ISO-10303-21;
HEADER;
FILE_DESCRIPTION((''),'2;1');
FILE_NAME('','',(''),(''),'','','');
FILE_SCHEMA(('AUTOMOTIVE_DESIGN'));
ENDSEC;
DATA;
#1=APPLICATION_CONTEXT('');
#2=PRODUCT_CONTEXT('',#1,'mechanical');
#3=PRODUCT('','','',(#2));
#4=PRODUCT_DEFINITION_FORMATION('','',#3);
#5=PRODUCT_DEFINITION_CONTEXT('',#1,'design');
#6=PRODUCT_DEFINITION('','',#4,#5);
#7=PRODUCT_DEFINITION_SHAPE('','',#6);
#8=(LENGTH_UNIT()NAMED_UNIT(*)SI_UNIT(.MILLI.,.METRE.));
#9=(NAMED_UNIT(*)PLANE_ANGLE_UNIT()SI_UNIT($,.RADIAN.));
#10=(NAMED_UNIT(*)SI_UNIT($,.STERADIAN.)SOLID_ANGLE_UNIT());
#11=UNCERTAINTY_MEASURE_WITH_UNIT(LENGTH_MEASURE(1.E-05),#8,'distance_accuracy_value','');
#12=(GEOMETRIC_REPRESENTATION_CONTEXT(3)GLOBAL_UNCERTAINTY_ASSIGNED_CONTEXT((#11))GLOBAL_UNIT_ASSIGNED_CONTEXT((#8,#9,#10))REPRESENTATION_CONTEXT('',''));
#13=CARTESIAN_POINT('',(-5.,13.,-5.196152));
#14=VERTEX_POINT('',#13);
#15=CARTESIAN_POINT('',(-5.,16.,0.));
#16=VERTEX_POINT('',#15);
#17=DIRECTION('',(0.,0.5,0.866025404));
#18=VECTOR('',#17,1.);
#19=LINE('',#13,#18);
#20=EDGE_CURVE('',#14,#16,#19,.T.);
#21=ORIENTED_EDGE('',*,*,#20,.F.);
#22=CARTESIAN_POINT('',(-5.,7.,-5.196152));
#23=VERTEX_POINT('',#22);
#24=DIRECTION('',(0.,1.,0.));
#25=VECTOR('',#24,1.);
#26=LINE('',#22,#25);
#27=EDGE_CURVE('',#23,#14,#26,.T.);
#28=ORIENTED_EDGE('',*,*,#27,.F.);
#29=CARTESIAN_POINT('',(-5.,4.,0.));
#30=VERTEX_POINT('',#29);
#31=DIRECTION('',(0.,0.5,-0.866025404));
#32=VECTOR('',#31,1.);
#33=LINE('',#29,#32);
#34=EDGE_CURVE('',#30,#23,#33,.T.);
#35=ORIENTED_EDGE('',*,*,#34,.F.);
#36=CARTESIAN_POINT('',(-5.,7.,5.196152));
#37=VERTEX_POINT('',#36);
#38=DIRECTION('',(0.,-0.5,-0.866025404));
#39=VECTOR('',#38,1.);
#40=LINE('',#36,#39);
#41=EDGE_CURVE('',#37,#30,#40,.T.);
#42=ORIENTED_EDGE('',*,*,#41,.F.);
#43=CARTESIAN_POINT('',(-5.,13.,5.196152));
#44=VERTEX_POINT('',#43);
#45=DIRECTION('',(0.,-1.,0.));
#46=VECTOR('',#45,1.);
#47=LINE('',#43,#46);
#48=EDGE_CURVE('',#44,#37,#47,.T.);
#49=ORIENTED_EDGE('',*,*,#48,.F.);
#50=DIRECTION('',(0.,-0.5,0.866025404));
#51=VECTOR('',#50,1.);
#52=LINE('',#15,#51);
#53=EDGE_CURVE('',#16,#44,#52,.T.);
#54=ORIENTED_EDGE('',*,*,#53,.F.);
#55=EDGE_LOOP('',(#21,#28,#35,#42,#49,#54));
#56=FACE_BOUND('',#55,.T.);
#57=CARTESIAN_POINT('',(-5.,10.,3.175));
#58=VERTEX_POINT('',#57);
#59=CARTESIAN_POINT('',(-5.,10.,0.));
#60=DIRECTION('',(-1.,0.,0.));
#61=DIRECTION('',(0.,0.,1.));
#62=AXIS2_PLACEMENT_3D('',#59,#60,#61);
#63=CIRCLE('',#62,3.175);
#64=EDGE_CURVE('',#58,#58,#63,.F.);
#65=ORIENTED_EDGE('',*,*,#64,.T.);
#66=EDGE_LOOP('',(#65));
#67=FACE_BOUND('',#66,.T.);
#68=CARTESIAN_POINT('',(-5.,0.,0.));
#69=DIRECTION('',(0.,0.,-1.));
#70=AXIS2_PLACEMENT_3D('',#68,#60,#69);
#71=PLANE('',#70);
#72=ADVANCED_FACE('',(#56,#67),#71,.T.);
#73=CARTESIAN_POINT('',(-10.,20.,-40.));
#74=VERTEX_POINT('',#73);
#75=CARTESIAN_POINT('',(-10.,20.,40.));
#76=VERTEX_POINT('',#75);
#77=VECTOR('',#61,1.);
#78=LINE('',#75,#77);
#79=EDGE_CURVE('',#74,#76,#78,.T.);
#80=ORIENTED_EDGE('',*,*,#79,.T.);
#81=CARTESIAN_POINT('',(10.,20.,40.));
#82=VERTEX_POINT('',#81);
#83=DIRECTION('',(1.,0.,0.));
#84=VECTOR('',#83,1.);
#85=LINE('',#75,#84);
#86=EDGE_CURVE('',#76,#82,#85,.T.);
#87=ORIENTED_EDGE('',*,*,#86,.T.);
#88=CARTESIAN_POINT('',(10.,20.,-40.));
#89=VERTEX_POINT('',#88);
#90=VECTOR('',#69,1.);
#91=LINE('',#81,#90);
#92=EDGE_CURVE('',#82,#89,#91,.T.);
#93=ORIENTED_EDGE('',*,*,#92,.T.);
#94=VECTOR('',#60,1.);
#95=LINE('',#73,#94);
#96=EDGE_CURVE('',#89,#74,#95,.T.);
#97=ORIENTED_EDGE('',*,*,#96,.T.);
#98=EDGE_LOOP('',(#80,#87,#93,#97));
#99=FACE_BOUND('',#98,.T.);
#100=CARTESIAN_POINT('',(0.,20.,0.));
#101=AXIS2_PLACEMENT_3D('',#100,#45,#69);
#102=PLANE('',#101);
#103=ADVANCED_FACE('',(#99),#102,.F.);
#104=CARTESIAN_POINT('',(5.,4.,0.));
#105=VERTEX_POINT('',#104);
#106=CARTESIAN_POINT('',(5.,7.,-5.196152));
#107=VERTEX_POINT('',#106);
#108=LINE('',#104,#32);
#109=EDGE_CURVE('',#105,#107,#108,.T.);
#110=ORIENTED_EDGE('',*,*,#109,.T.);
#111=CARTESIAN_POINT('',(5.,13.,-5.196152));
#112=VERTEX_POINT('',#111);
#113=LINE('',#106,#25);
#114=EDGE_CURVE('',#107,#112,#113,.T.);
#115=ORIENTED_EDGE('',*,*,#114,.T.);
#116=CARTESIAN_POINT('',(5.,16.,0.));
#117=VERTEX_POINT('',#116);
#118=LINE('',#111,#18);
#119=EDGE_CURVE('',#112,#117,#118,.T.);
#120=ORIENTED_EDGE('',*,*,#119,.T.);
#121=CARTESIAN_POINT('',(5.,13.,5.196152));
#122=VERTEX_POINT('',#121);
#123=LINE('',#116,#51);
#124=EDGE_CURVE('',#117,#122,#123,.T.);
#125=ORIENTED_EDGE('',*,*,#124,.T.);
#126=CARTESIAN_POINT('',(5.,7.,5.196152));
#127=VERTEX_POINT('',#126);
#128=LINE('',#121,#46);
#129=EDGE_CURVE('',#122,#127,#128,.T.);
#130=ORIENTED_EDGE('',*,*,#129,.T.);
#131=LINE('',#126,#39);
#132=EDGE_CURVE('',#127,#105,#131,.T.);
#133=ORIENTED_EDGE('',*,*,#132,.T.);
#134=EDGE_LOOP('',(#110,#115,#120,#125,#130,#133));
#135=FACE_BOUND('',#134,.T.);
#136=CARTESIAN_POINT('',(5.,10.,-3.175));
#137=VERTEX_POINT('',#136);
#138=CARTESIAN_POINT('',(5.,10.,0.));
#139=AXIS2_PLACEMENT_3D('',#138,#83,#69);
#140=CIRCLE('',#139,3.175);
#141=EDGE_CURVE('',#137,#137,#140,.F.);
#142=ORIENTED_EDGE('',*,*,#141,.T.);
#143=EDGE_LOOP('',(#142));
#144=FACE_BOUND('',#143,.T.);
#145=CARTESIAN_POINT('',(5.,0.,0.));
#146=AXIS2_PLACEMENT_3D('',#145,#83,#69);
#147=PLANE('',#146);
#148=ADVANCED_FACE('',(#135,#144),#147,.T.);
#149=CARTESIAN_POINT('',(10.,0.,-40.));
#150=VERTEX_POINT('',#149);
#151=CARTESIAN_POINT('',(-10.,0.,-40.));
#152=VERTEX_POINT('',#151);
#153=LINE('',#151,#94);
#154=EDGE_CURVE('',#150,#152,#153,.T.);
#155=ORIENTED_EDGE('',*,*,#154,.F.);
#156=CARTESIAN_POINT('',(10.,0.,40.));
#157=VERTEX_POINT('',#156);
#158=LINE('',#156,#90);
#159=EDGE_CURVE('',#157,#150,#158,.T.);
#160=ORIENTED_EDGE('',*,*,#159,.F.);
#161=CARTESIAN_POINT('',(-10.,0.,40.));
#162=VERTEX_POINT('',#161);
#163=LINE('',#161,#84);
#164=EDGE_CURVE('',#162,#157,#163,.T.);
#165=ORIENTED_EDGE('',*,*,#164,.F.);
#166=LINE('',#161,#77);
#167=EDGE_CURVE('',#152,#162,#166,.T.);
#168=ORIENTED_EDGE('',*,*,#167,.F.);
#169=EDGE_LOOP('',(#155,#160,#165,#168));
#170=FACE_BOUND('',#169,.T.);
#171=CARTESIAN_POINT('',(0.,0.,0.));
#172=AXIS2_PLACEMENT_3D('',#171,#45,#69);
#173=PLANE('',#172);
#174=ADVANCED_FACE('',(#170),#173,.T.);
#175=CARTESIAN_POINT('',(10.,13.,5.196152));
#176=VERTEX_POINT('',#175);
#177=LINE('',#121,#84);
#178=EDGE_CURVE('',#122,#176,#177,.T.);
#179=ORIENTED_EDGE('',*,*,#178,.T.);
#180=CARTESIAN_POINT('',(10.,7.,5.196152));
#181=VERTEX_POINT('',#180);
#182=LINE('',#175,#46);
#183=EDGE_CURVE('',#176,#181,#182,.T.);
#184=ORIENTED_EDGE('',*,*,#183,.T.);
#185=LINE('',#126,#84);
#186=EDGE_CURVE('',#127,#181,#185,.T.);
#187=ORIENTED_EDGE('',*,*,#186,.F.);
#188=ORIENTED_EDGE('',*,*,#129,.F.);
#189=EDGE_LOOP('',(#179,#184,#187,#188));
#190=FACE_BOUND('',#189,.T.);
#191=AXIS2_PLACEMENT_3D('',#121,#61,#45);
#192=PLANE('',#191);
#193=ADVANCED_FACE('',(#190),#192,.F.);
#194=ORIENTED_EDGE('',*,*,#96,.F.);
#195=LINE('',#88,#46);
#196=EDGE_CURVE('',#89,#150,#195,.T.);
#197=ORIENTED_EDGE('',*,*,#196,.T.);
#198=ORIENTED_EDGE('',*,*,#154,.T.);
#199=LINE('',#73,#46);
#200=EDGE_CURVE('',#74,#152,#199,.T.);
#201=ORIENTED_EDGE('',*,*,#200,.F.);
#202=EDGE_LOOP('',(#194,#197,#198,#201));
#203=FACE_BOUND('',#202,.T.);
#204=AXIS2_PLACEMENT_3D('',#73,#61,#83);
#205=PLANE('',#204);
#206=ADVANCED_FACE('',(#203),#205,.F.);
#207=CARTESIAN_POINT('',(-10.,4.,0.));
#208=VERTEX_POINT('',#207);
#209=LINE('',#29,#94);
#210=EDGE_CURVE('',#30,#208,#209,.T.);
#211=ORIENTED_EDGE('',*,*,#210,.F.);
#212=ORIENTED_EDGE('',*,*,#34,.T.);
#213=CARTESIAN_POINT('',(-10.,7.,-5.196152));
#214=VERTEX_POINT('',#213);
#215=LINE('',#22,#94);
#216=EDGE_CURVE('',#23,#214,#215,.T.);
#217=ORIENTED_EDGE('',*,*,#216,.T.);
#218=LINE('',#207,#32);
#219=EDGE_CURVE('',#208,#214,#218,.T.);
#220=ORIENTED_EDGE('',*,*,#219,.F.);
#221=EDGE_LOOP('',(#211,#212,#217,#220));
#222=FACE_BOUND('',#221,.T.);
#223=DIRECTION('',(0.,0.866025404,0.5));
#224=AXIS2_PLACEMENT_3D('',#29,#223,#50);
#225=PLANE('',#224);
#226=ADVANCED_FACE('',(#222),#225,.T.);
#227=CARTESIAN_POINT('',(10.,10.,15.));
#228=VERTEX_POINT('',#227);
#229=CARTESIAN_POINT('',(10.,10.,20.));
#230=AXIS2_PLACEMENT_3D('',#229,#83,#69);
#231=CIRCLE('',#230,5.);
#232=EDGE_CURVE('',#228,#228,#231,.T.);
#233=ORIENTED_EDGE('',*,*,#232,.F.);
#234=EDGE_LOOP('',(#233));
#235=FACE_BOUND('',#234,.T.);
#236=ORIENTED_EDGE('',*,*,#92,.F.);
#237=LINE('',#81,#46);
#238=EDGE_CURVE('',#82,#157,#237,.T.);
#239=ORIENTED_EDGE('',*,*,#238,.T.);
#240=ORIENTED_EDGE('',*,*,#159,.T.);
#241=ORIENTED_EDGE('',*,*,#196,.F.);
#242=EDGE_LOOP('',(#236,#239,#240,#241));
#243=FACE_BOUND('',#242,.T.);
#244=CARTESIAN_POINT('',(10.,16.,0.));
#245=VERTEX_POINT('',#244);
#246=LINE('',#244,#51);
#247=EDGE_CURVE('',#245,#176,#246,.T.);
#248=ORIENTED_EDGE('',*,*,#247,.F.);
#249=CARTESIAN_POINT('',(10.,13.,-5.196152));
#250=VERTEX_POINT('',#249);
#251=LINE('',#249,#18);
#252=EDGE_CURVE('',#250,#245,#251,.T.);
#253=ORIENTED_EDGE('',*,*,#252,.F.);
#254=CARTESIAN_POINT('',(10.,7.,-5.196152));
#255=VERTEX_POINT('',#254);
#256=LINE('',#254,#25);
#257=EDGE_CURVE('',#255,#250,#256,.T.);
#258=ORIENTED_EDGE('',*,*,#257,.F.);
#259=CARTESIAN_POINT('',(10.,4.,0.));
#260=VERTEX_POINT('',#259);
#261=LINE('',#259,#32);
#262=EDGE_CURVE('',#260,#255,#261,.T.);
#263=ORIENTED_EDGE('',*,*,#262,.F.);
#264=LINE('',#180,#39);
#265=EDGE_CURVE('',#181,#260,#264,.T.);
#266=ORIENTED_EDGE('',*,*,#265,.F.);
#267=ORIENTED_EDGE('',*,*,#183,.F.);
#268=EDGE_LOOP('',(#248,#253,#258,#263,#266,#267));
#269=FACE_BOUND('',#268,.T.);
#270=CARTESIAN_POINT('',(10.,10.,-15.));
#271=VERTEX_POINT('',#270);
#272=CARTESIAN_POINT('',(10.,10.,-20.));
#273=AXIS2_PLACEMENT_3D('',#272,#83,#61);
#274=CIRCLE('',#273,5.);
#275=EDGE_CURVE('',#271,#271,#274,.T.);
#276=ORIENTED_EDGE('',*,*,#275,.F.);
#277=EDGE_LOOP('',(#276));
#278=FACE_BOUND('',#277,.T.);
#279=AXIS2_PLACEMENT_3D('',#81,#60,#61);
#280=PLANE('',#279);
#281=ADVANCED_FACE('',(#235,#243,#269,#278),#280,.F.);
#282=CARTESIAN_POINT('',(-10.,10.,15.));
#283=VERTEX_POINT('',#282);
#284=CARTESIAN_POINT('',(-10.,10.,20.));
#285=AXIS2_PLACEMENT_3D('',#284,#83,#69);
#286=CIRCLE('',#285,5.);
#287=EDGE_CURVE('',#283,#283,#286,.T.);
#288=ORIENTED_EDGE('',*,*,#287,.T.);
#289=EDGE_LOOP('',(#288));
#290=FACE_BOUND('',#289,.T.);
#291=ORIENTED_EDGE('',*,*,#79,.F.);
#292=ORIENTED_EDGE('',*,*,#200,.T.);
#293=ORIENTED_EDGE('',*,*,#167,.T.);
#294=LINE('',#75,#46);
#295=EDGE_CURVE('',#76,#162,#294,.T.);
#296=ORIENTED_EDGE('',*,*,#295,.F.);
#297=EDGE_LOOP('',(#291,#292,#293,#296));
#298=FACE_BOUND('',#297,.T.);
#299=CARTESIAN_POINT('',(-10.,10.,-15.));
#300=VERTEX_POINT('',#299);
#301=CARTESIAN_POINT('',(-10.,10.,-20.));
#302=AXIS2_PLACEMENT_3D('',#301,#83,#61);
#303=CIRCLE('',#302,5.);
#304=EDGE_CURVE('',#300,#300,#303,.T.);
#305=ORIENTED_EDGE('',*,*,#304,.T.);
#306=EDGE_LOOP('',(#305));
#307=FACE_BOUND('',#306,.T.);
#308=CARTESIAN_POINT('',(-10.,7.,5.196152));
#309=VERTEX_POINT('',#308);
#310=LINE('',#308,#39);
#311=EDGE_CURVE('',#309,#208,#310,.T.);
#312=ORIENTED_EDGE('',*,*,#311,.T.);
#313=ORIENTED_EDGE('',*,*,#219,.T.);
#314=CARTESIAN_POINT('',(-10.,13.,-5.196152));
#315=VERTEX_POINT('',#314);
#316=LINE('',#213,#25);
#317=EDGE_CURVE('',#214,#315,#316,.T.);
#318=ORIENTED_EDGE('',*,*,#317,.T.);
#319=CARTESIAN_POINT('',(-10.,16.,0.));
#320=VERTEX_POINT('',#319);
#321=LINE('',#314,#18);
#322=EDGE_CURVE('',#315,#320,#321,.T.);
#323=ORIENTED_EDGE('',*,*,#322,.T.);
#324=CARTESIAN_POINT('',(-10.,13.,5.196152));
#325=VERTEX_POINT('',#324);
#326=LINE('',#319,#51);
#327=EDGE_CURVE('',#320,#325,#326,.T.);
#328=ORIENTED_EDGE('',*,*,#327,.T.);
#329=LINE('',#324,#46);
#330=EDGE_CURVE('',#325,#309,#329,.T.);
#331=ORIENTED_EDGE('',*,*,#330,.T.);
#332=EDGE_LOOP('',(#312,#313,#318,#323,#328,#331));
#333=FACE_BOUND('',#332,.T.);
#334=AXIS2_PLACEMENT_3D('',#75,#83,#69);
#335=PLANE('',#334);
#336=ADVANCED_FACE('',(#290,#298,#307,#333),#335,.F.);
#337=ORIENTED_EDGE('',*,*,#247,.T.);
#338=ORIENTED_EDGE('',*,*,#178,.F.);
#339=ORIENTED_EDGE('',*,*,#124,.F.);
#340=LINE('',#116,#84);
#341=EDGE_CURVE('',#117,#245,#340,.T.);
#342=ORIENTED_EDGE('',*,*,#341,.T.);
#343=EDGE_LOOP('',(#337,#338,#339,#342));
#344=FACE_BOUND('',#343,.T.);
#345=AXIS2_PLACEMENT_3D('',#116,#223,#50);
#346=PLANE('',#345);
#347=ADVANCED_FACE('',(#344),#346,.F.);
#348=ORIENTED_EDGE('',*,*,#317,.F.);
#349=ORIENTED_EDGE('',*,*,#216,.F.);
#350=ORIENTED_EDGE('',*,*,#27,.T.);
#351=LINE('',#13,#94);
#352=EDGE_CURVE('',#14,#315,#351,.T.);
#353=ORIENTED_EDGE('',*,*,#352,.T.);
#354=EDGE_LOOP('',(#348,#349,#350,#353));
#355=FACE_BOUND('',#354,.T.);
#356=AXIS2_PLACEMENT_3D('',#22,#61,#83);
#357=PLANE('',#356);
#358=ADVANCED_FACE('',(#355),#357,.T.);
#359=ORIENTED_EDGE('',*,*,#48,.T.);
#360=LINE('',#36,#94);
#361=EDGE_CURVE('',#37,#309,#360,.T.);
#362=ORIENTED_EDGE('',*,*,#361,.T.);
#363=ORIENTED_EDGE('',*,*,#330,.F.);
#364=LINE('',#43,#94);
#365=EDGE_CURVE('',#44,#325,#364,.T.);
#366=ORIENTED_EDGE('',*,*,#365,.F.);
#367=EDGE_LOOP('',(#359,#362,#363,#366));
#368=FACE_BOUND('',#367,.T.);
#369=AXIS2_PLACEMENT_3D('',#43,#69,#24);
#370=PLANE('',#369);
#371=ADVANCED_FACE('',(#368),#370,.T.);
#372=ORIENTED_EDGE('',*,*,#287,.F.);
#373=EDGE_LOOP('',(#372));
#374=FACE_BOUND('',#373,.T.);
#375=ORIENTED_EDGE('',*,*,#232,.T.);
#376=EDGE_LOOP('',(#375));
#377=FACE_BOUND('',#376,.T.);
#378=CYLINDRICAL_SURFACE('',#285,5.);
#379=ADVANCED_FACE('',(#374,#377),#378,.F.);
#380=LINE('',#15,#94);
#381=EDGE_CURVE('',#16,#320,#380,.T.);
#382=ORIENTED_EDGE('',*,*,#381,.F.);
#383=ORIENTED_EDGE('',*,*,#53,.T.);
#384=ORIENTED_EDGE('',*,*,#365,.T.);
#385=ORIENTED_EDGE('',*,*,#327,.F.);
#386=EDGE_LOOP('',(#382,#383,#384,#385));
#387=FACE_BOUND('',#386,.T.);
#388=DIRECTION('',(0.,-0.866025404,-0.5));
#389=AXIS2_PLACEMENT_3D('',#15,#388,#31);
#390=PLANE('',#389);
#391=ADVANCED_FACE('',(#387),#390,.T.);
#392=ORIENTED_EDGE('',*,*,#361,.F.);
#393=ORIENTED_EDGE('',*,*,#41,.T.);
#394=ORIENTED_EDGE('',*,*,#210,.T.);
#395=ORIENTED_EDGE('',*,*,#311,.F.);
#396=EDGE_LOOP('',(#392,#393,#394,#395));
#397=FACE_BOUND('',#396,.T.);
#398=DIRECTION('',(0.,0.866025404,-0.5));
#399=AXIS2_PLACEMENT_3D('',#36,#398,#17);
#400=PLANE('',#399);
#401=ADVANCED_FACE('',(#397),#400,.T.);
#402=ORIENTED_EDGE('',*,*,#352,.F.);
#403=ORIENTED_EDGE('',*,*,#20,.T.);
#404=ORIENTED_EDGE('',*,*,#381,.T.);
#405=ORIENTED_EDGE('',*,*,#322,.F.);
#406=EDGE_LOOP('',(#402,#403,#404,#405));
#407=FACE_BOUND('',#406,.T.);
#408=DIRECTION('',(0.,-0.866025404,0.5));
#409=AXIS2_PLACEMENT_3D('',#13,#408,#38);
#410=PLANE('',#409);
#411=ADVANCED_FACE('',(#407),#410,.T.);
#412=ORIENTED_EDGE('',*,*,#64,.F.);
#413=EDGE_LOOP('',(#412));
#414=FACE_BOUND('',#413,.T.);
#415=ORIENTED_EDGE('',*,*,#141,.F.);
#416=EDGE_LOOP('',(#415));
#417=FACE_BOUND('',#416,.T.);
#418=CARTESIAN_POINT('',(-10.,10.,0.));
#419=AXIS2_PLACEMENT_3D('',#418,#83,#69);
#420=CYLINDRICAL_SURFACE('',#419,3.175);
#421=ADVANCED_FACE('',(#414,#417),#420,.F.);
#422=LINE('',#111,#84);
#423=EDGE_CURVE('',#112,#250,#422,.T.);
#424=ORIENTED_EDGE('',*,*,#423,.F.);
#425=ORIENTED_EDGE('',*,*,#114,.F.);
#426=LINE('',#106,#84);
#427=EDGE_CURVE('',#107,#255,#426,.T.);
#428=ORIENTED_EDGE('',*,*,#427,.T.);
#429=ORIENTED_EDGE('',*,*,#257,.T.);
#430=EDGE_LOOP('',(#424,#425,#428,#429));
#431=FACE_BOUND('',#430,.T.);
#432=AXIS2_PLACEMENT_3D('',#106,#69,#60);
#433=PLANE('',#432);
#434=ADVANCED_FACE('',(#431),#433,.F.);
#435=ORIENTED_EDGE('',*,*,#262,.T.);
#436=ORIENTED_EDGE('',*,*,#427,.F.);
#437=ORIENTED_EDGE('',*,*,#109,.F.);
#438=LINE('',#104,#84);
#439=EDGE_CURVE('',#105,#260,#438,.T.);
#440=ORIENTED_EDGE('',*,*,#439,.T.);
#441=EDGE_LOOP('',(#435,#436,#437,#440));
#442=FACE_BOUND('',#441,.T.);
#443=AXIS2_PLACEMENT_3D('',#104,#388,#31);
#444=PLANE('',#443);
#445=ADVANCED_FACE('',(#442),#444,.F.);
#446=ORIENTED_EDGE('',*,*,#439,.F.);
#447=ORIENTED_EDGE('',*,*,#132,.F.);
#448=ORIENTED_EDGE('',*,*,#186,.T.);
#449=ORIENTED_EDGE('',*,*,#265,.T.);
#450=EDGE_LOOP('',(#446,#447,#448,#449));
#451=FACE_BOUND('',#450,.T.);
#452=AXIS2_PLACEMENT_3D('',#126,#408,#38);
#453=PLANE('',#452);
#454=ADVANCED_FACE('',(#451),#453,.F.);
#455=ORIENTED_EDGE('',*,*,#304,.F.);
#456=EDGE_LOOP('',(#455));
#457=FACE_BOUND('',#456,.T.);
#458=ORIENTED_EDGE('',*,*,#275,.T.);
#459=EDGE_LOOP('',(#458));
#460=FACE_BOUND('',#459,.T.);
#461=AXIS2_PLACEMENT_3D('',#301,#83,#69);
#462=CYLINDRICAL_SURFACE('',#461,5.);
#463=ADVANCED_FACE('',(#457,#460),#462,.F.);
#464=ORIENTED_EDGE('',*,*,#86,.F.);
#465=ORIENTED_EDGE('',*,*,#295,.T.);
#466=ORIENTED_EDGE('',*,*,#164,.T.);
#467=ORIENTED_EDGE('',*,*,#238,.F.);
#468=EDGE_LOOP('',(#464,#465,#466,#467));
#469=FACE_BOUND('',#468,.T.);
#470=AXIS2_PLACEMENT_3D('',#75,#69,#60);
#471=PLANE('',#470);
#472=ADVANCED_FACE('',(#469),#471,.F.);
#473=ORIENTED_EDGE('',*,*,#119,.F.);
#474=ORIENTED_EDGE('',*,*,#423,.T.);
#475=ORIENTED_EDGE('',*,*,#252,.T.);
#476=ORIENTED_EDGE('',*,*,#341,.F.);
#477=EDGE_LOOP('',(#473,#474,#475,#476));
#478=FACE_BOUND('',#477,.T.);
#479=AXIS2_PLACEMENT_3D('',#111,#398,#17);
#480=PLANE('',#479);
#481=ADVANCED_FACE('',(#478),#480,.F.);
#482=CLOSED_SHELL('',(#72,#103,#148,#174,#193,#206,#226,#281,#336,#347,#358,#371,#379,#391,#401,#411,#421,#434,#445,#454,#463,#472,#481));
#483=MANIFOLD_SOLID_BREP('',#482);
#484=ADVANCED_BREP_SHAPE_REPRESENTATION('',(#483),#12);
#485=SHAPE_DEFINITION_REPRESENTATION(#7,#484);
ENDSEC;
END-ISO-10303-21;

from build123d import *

# Parameters (mm, degrees)
SKETCH1_W           = 20
SKETCH1_H           = 80
BOSS_EXTRUDE1_DEPTH = 20
SKETCH2_R           = 5
CUT_EXTRUDE1_DEPTH  = 49.989794856
SKETCH5_R           = 3.175
CUT_EXTRUDE4_DEPTH  = 49.989794856
CUT_EXTRUDE3_DEPTH  = 5


with BuildPart() as part:
    # Sketch1 → Boss-Extrude1 (new body)
    with BuildSketch(Plane(origin=(0, 0, 0), x_dir=(1, 0, 0), z_dir=(0, 1, 0))):
        Rectangle(SKETCH1_W, SKETCH1_H)
    extrude(amount=BOSS_EXTRUDE1_DEPTH)

    # Sketch2 → Cut-Extrude1 (cut, through all)
    with BuildSketch(Plane(origin=(10, 0, 0), x_dir=(0, 0, -1), z_dir=(1, 0, 0))):
        with Locations((-20, 10)):
            Circle(SKETCH2_R)
        with Locations(Location((20, 10, 0), (0, 0, 180))):
            Circle(SKETCH2_R)
    extrude(amount=-CUT_EXTRUDE1_DEPTH, mode=Mode.SUBTRACT)

    # Sketch5 → Cut-Extrude4 (cut, through all)
    with BuildSketch(Plane(origin=(10, 0, 0), x_dir=(0, 0, -1), z_dir=(1, 0, 0))):
        with Locations((0, 10)):
            Circle(SKETCH5_R)
    extrude(amount=-CUT_EXTRUDE4_DEPTH, mode=Mode.SUBTRACT)

    # Sketch3 → Cut-Extrude3 (cut)
    with BuildSketch(Plane(origin=(10, 0, 0), x_dir=(0, 0, -1), z_dir=(1, 0, 0))):
        Polygon((0, 16), (-5.196152423, 13), (-5.196152423, 7), (0, 4), (5.196152423, 7), (5.196152423, 13), align=None)
    cut_extrude3 = extrude(amount=-CUT_EXTRUDE3_DEPTH, mode=Mode.SUBTRACT)

    # Mirror1: Cut-Extrude3 across plane
    add(cut_extrude3.mirror(Plane(origin=(0, 0, 0), x_dir=(0, 0, 1), z_dir=(1, 0, 0))), mode=Mode.SUBTRACT)


solid = part.part
